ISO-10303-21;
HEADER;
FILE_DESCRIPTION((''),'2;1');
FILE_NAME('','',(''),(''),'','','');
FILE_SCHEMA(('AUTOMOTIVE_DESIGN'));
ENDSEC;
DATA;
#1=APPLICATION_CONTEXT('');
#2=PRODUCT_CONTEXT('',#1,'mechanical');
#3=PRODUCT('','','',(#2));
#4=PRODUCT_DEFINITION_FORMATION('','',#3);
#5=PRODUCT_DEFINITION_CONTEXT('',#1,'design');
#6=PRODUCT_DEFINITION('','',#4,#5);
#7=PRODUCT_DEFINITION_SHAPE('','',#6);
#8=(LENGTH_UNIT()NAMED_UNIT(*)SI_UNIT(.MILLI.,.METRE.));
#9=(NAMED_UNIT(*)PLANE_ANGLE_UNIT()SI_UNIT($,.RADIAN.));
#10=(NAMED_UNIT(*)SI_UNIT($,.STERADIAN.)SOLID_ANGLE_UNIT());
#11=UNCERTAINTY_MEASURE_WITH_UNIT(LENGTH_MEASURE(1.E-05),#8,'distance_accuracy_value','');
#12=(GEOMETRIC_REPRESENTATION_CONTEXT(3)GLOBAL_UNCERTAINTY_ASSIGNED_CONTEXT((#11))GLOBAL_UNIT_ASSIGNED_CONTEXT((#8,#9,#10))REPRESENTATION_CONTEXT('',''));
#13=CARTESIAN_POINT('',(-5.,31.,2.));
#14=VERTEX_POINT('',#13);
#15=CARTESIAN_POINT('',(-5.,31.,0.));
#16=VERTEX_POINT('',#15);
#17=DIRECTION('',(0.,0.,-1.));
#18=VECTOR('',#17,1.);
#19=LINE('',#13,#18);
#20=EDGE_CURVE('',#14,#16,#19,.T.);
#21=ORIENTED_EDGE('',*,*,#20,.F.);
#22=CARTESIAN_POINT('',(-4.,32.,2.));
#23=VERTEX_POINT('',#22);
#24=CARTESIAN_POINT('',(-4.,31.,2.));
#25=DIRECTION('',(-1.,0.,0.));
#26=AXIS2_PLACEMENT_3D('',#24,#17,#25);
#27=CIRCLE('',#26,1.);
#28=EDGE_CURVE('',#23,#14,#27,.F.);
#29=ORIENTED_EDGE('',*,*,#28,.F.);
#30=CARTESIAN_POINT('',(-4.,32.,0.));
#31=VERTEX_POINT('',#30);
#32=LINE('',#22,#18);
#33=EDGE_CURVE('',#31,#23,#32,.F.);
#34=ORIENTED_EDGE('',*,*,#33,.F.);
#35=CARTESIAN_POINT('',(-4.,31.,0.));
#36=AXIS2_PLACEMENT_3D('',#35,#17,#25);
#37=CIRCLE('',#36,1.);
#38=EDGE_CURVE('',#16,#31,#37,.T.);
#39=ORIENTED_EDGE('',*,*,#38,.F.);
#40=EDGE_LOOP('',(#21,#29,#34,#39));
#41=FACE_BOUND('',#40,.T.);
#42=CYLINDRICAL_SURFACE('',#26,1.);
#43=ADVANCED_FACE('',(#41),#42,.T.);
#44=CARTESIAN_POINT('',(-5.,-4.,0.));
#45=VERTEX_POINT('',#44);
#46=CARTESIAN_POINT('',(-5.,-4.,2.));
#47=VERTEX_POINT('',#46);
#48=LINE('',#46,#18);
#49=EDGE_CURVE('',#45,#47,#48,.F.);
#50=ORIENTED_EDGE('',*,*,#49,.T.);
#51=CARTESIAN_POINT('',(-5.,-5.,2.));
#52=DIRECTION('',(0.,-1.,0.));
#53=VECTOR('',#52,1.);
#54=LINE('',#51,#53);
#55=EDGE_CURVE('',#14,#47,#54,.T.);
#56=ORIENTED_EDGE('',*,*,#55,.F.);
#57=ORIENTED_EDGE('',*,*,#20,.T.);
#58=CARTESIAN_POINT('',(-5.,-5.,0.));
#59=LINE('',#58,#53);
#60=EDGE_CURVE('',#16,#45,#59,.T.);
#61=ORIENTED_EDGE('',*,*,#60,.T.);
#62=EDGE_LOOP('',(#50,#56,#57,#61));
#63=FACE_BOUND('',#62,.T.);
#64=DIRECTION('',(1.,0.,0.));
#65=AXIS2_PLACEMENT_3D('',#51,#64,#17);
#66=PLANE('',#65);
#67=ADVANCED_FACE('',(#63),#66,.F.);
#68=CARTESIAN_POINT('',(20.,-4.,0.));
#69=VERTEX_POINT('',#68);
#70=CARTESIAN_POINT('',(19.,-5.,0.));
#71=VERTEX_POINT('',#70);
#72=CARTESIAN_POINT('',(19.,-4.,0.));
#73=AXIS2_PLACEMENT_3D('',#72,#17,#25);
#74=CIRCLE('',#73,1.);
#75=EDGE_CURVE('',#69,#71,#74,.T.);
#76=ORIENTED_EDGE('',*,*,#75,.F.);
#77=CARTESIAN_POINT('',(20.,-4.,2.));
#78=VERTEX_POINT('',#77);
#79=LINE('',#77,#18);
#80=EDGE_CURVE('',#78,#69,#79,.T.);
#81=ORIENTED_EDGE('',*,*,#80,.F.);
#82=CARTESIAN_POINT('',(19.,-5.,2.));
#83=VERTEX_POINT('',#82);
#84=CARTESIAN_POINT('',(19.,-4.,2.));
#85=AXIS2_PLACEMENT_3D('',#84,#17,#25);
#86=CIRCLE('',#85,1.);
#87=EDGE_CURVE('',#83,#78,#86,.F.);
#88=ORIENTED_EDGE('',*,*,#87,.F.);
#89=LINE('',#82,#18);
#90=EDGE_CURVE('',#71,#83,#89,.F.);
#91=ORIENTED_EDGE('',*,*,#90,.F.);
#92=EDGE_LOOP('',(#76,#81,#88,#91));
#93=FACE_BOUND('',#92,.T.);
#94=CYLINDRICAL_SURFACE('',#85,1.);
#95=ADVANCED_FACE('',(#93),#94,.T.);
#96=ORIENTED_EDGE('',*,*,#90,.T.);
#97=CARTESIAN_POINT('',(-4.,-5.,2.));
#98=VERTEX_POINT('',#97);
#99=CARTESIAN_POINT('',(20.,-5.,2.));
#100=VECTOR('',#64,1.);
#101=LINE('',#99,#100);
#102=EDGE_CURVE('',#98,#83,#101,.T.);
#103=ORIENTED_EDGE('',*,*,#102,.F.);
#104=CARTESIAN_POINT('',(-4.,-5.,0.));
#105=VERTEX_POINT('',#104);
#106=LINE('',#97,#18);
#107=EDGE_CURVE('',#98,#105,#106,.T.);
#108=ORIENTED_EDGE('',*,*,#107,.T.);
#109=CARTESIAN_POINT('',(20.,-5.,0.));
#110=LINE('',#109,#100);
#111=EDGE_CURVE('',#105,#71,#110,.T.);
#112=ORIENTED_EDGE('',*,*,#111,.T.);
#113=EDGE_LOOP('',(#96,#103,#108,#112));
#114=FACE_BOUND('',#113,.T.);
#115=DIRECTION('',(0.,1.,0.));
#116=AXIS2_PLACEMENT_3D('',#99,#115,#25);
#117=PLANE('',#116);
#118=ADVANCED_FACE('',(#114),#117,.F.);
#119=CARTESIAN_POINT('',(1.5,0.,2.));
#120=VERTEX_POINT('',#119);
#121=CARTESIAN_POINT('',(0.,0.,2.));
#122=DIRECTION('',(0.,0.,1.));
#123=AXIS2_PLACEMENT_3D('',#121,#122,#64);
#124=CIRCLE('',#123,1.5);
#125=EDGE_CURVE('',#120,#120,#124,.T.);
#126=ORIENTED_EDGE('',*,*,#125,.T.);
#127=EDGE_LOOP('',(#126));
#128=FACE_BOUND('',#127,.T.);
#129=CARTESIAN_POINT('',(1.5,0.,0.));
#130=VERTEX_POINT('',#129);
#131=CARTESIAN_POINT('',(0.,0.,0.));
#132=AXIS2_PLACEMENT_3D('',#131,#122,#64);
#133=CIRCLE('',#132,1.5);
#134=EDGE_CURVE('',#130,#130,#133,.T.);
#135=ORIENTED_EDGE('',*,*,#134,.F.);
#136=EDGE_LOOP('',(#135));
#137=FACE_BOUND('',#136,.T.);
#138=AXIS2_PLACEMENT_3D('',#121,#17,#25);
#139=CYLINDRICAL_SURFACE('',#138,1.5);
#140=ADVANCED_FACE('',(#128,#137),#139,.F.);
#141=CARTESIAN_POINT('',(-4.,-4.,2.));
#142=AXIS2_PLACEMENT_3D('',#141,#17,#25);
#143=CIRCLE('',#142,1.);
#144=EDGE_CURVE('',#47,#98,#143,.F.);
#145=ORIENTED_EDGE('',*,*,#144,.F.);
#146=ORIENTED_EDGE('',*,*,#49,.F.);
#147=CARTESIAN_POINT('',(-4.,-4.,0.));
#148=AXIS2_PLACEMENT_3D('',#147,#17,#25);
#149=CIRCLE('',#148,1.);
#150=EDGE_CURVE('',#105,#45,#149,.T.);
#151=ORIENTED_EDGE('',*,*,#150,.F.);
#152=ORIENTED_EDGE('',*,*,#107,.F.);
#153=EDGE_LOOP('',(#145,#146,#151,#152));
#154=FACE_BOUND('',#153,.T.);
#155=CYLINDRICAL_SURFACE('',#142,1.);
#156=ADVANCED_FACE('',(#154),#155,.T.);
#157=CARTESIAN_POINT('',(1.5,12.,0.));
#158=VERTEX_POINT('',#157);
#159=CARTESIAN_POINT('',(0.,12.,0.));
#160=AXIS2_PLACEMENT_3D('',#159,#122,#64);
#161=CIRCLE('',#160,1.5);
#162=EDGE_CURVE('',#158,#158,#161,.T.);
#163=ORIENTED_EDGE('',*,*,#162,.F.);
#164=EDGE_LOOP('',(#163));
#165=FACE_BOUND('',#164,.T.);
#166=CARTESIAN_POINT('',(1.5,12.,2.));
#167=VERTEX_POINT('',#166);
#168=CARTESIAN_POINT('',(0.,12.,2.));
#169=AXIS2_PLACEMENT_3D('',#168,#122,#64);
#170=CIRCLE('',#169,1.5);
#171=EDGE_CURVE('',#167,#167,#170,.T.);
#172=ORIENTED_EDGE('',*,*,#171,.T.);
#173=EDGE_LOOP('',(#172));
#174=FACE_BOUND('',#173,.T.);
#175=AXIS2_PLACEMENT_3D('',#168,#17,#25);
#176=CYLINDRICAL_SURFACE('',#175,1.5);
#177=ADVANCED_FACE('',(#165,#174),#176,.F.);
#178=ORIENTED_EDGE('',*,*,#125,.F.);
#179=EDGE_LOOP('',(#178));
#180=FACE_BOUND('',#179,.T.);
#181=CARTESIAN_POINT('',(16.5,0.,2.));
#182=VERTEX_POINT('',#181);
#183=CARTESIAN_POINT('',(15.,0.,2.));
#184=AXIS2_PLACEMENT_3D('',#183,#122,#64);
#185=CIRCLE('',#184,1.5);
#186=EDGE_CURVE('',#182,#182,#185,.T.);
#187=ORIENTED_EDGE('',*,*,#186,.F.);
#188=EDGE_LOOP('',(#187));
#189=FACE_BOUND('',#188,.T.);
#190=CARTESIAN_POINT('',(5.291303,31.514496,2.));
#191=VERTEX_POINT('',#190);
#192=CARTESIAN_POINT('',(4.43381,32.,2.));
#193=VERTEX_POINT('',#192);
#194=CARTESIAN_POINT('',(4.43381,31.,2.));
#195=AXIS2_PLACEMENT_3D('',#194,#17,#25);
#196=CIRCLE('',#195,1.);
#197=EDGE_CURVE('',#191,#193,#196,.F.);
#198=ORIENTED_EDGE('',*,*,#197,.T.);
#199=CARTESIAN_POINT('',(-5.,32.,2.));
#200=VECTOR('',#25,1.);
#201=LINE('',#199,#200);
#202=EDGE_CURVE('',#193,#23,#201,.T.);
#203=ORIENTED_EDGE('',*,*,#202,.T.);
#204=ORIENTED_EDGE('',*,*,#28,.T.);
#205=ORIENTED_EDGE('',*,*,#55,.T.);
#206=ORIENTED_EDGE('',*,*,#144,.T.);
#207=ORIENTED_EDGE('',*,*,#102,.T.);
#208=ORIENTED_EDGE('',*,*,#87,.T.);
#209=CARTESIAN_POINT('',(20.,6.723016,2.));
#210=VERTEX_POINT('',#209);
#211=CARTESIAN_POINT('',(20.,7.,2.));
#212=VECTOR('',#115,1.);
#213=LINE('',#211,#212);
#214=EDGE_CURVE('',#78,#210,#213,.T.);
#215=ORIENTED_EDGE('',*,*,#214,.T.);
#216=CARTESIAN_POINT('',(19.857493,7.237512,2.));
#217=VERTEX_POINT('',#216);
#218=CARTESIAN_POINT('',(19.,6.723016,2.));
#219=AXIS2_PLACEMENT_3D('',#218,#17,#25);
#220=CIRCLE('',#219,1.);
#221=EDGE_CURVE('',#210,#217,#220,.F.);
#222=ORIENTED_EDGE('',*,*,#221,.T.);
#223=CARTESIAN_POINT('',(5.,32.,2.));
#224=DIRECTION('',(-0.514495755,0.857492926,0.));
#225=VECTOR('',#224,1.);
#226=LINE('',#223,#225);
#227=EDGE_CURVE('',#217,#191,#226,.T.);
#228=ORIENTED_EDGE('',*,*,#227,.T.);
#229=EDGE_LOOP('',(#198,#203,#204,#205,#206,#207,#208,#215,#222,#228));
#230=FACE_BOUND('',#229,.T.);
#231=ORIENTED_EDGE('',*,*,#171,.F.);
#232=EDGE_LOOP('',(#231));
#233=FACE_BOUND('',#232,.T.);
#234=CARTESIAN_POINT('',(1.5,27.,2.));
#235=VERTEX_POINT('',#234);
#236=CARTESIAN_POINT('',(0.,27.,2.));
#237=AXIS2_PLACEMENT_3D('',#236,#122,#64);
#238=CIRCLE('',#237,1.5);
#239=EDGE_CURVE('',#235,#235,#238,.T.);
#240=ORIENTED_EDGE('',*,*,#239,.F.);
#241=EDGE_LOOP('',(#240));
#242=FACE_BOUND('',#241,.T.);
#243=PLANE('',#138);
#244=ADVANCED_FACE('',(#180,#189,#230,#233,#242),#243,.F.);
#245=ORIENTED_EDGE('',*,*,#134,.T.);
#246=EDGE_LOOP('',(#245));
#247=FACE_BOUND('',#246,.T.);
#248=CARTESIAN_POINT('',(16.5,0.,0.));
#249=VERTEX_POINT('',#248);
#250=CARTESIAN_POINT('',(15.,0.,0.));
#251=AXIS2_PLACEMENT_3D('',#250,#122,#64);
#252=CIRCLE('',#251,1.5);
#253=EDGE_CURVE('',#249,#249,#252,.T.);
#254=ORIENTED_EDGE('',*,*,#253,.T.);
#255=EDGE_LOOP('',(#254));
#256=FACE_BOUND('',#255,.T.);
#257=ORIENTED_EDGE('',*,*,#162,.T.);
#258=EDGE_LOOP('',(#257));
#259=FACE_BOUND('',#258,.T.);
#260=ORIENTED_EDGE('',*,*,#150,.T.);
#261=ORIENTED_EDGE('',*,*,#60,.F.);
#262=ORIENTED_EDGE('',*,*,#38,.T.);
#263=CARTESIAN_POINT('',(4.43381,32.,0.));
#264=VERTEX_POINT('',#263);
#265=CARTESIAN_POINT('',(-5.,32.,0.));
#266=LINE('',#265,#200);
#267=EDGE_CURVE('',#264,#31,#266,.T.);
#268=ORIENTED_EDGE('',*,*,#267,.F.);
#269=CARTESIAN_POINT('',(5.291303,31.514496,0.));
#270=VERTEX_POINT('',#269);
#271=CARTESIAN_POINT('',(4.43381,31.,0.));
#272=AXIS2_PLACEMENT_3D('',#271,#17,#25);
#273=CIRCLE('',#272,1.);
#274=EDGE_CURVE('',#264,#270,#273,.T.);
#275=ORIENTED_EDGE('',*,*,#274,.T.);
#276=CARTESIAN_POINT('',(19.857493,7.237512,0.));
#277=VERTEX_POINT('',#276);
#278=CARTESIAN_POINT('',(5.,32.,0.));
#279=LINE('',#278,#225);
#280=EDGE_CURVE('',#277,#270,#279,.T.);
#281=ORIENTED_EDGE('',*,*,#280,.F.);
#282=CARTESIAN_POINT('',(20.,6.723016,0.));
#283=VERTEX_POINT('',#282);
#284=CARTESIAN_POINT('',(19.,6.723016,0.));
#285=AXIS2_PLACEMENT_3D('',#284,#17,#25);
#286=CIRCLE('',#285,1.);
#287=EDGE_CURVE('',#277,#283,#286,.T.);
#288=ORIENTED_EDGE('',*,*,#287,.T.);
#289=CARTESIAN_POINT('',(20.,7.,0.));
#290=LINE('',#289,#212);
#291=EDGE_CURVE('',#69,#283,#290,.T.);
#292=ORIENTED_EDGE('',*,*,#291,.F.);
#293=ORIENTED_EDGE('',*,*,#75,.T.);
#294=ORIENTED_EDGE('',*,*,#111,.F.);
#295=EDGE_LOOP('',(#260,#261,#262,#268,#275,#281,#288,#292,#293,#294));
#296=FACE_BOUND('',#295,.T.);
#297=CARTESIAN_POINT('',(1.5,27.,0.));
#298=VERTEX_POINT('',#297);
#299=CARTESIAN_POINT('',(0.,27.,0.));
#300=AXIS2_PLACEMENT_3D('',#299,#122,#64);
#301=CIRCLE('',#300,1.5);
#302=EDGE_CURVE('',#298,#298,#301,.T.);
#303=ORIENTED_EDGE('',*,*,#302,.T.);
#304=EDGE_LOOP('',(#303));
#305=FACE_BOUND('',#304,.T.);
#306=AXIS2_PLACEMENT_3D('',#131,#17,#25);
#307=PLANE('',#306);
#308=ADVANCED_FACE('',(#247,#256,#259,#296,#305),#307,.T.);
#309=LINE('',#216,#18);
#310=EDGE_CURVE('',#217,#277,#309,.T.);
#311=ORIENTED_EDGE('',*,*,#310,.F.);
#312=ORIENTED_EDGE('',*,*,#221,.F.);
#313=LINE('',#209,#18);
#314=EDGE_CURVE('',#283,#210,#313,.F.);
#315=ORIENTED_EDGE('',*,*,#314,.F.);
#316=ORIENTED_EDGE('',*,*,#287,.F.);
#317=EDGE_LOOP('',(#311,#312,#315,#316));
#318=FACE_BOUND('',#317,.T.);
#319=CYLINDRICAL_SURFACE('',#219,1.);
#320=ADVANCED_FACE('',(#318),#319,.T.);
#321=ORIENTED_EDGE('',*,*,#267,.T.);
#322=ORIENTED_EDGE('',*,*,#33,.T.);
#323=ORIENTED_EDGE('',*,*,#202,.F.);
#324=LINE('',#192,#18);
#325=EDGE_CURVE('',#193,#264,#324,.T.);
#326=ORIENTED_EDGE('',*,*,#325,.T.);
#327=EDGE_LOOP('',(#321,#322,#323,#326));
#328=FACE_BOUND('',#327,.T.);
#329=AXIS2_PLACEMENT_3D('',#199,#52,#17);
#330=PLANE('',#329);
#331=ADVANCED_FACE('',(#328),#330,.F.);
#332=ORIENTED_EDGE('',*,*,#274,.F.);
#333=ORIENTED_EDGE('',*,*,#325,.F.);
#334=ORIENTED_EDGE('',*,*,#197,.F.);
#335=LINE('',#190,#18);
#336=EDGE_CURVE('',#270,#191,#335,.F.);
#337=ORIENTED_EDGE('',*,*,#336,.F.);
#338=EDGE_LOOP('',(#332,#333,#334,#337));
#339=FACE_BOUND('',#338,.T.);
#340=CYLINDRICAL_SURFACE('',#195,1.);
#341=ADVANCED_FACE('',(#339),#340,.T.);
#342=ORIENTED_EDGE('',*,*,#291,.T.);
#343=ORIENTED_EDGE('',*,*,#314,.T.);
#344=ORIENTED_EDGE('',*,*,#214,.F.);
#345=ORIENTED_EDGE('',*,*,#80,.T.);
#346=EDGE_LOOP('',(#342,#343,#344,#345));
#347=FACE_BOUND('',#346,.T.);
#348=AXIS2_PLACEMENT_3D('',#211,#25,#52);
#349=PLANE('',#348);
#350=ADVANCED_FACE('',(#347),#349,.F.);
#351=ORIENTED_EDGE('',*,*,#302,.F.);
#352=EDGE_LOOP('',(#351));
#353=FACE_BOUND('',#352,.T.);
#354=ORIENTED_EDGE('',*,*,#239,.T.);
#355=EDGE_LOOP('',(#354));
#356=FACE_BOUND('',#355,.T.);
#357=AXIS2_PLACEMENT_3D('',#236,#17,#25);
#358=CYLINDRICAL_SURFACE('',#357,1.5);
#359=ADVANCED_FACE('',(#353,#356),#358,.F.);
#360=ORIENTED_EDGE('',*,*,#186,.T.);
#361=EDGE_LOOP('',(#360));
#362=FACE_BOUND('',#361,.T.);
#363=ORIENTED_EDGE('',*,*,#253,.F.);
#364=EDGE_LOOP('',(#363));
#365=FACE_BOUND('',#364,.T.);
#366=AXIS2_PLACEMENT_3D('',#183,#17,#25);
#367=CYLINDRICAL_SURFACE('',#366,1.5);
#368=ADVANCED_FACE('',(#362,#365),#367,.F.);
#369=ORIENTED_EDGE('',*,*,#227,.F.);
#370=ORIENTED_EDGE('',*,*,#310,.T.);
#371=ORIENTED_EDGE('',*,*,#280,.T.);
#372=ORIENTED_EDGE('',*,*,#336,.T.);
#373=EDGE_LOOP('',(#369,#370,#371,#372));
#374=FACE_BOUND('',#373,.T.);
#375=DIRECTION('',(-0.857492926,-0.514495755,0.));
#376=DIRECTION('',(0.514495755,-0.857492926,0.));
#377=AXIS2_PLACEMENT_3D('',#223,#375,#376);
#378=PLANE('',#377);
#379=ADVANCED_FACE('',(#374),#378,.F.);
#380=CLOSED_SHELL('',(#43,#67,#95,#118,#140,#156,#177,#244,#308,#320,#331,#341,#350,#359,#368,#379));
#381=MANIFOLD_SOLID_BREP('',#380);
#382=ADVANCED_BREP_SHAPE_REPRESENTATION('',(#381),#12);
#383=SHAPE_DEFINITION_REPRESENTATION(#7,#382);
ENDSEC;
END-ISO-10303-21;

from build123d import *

# Parameters (mm, degrees)
SKETCH_1_R      = 1.5
EXTRUDE_1_DEPTH = 2
FILLET_1_R      = 1


with BuildPart() as part:
    # 草图1 → 凸台-拉伸1 (new body)
    with BuildSketch(Plane.XY):
        Polygon((-5, 32), (5, 32), (20, 7), (20, -5), (-5, -5), align=None)
        with Locations((0, 27)):
            Circle(SKETCH_1_R, mode=Mode.SUBTRACT)
        with Locations((0, 12)):
            Circle(SKETCH_1_R, mode=Mode.SUBTRACT)
        with Locations((15, 0)):
            Circle(SKETCH_1_R, mode=Mode.SUBTRACT)
        Circle(SKETCH_1_R, mode=Mode.SUBTRACT)
    extrude(amount=EXTRUDE_1_DEPTH)

    # 圆角1
    fillet_1_edges = [part.edges().sort_by_distance(p)[0] for p in [
        (-5, 32, 1),
        (5, 32, 1),
        (20, 7, 1),
        (20, -5, 1),
        (-5, -5, 1),
    ]]
    fillet(fillet_1_edges, radius=FILLET_1_R)


solid = part.part
